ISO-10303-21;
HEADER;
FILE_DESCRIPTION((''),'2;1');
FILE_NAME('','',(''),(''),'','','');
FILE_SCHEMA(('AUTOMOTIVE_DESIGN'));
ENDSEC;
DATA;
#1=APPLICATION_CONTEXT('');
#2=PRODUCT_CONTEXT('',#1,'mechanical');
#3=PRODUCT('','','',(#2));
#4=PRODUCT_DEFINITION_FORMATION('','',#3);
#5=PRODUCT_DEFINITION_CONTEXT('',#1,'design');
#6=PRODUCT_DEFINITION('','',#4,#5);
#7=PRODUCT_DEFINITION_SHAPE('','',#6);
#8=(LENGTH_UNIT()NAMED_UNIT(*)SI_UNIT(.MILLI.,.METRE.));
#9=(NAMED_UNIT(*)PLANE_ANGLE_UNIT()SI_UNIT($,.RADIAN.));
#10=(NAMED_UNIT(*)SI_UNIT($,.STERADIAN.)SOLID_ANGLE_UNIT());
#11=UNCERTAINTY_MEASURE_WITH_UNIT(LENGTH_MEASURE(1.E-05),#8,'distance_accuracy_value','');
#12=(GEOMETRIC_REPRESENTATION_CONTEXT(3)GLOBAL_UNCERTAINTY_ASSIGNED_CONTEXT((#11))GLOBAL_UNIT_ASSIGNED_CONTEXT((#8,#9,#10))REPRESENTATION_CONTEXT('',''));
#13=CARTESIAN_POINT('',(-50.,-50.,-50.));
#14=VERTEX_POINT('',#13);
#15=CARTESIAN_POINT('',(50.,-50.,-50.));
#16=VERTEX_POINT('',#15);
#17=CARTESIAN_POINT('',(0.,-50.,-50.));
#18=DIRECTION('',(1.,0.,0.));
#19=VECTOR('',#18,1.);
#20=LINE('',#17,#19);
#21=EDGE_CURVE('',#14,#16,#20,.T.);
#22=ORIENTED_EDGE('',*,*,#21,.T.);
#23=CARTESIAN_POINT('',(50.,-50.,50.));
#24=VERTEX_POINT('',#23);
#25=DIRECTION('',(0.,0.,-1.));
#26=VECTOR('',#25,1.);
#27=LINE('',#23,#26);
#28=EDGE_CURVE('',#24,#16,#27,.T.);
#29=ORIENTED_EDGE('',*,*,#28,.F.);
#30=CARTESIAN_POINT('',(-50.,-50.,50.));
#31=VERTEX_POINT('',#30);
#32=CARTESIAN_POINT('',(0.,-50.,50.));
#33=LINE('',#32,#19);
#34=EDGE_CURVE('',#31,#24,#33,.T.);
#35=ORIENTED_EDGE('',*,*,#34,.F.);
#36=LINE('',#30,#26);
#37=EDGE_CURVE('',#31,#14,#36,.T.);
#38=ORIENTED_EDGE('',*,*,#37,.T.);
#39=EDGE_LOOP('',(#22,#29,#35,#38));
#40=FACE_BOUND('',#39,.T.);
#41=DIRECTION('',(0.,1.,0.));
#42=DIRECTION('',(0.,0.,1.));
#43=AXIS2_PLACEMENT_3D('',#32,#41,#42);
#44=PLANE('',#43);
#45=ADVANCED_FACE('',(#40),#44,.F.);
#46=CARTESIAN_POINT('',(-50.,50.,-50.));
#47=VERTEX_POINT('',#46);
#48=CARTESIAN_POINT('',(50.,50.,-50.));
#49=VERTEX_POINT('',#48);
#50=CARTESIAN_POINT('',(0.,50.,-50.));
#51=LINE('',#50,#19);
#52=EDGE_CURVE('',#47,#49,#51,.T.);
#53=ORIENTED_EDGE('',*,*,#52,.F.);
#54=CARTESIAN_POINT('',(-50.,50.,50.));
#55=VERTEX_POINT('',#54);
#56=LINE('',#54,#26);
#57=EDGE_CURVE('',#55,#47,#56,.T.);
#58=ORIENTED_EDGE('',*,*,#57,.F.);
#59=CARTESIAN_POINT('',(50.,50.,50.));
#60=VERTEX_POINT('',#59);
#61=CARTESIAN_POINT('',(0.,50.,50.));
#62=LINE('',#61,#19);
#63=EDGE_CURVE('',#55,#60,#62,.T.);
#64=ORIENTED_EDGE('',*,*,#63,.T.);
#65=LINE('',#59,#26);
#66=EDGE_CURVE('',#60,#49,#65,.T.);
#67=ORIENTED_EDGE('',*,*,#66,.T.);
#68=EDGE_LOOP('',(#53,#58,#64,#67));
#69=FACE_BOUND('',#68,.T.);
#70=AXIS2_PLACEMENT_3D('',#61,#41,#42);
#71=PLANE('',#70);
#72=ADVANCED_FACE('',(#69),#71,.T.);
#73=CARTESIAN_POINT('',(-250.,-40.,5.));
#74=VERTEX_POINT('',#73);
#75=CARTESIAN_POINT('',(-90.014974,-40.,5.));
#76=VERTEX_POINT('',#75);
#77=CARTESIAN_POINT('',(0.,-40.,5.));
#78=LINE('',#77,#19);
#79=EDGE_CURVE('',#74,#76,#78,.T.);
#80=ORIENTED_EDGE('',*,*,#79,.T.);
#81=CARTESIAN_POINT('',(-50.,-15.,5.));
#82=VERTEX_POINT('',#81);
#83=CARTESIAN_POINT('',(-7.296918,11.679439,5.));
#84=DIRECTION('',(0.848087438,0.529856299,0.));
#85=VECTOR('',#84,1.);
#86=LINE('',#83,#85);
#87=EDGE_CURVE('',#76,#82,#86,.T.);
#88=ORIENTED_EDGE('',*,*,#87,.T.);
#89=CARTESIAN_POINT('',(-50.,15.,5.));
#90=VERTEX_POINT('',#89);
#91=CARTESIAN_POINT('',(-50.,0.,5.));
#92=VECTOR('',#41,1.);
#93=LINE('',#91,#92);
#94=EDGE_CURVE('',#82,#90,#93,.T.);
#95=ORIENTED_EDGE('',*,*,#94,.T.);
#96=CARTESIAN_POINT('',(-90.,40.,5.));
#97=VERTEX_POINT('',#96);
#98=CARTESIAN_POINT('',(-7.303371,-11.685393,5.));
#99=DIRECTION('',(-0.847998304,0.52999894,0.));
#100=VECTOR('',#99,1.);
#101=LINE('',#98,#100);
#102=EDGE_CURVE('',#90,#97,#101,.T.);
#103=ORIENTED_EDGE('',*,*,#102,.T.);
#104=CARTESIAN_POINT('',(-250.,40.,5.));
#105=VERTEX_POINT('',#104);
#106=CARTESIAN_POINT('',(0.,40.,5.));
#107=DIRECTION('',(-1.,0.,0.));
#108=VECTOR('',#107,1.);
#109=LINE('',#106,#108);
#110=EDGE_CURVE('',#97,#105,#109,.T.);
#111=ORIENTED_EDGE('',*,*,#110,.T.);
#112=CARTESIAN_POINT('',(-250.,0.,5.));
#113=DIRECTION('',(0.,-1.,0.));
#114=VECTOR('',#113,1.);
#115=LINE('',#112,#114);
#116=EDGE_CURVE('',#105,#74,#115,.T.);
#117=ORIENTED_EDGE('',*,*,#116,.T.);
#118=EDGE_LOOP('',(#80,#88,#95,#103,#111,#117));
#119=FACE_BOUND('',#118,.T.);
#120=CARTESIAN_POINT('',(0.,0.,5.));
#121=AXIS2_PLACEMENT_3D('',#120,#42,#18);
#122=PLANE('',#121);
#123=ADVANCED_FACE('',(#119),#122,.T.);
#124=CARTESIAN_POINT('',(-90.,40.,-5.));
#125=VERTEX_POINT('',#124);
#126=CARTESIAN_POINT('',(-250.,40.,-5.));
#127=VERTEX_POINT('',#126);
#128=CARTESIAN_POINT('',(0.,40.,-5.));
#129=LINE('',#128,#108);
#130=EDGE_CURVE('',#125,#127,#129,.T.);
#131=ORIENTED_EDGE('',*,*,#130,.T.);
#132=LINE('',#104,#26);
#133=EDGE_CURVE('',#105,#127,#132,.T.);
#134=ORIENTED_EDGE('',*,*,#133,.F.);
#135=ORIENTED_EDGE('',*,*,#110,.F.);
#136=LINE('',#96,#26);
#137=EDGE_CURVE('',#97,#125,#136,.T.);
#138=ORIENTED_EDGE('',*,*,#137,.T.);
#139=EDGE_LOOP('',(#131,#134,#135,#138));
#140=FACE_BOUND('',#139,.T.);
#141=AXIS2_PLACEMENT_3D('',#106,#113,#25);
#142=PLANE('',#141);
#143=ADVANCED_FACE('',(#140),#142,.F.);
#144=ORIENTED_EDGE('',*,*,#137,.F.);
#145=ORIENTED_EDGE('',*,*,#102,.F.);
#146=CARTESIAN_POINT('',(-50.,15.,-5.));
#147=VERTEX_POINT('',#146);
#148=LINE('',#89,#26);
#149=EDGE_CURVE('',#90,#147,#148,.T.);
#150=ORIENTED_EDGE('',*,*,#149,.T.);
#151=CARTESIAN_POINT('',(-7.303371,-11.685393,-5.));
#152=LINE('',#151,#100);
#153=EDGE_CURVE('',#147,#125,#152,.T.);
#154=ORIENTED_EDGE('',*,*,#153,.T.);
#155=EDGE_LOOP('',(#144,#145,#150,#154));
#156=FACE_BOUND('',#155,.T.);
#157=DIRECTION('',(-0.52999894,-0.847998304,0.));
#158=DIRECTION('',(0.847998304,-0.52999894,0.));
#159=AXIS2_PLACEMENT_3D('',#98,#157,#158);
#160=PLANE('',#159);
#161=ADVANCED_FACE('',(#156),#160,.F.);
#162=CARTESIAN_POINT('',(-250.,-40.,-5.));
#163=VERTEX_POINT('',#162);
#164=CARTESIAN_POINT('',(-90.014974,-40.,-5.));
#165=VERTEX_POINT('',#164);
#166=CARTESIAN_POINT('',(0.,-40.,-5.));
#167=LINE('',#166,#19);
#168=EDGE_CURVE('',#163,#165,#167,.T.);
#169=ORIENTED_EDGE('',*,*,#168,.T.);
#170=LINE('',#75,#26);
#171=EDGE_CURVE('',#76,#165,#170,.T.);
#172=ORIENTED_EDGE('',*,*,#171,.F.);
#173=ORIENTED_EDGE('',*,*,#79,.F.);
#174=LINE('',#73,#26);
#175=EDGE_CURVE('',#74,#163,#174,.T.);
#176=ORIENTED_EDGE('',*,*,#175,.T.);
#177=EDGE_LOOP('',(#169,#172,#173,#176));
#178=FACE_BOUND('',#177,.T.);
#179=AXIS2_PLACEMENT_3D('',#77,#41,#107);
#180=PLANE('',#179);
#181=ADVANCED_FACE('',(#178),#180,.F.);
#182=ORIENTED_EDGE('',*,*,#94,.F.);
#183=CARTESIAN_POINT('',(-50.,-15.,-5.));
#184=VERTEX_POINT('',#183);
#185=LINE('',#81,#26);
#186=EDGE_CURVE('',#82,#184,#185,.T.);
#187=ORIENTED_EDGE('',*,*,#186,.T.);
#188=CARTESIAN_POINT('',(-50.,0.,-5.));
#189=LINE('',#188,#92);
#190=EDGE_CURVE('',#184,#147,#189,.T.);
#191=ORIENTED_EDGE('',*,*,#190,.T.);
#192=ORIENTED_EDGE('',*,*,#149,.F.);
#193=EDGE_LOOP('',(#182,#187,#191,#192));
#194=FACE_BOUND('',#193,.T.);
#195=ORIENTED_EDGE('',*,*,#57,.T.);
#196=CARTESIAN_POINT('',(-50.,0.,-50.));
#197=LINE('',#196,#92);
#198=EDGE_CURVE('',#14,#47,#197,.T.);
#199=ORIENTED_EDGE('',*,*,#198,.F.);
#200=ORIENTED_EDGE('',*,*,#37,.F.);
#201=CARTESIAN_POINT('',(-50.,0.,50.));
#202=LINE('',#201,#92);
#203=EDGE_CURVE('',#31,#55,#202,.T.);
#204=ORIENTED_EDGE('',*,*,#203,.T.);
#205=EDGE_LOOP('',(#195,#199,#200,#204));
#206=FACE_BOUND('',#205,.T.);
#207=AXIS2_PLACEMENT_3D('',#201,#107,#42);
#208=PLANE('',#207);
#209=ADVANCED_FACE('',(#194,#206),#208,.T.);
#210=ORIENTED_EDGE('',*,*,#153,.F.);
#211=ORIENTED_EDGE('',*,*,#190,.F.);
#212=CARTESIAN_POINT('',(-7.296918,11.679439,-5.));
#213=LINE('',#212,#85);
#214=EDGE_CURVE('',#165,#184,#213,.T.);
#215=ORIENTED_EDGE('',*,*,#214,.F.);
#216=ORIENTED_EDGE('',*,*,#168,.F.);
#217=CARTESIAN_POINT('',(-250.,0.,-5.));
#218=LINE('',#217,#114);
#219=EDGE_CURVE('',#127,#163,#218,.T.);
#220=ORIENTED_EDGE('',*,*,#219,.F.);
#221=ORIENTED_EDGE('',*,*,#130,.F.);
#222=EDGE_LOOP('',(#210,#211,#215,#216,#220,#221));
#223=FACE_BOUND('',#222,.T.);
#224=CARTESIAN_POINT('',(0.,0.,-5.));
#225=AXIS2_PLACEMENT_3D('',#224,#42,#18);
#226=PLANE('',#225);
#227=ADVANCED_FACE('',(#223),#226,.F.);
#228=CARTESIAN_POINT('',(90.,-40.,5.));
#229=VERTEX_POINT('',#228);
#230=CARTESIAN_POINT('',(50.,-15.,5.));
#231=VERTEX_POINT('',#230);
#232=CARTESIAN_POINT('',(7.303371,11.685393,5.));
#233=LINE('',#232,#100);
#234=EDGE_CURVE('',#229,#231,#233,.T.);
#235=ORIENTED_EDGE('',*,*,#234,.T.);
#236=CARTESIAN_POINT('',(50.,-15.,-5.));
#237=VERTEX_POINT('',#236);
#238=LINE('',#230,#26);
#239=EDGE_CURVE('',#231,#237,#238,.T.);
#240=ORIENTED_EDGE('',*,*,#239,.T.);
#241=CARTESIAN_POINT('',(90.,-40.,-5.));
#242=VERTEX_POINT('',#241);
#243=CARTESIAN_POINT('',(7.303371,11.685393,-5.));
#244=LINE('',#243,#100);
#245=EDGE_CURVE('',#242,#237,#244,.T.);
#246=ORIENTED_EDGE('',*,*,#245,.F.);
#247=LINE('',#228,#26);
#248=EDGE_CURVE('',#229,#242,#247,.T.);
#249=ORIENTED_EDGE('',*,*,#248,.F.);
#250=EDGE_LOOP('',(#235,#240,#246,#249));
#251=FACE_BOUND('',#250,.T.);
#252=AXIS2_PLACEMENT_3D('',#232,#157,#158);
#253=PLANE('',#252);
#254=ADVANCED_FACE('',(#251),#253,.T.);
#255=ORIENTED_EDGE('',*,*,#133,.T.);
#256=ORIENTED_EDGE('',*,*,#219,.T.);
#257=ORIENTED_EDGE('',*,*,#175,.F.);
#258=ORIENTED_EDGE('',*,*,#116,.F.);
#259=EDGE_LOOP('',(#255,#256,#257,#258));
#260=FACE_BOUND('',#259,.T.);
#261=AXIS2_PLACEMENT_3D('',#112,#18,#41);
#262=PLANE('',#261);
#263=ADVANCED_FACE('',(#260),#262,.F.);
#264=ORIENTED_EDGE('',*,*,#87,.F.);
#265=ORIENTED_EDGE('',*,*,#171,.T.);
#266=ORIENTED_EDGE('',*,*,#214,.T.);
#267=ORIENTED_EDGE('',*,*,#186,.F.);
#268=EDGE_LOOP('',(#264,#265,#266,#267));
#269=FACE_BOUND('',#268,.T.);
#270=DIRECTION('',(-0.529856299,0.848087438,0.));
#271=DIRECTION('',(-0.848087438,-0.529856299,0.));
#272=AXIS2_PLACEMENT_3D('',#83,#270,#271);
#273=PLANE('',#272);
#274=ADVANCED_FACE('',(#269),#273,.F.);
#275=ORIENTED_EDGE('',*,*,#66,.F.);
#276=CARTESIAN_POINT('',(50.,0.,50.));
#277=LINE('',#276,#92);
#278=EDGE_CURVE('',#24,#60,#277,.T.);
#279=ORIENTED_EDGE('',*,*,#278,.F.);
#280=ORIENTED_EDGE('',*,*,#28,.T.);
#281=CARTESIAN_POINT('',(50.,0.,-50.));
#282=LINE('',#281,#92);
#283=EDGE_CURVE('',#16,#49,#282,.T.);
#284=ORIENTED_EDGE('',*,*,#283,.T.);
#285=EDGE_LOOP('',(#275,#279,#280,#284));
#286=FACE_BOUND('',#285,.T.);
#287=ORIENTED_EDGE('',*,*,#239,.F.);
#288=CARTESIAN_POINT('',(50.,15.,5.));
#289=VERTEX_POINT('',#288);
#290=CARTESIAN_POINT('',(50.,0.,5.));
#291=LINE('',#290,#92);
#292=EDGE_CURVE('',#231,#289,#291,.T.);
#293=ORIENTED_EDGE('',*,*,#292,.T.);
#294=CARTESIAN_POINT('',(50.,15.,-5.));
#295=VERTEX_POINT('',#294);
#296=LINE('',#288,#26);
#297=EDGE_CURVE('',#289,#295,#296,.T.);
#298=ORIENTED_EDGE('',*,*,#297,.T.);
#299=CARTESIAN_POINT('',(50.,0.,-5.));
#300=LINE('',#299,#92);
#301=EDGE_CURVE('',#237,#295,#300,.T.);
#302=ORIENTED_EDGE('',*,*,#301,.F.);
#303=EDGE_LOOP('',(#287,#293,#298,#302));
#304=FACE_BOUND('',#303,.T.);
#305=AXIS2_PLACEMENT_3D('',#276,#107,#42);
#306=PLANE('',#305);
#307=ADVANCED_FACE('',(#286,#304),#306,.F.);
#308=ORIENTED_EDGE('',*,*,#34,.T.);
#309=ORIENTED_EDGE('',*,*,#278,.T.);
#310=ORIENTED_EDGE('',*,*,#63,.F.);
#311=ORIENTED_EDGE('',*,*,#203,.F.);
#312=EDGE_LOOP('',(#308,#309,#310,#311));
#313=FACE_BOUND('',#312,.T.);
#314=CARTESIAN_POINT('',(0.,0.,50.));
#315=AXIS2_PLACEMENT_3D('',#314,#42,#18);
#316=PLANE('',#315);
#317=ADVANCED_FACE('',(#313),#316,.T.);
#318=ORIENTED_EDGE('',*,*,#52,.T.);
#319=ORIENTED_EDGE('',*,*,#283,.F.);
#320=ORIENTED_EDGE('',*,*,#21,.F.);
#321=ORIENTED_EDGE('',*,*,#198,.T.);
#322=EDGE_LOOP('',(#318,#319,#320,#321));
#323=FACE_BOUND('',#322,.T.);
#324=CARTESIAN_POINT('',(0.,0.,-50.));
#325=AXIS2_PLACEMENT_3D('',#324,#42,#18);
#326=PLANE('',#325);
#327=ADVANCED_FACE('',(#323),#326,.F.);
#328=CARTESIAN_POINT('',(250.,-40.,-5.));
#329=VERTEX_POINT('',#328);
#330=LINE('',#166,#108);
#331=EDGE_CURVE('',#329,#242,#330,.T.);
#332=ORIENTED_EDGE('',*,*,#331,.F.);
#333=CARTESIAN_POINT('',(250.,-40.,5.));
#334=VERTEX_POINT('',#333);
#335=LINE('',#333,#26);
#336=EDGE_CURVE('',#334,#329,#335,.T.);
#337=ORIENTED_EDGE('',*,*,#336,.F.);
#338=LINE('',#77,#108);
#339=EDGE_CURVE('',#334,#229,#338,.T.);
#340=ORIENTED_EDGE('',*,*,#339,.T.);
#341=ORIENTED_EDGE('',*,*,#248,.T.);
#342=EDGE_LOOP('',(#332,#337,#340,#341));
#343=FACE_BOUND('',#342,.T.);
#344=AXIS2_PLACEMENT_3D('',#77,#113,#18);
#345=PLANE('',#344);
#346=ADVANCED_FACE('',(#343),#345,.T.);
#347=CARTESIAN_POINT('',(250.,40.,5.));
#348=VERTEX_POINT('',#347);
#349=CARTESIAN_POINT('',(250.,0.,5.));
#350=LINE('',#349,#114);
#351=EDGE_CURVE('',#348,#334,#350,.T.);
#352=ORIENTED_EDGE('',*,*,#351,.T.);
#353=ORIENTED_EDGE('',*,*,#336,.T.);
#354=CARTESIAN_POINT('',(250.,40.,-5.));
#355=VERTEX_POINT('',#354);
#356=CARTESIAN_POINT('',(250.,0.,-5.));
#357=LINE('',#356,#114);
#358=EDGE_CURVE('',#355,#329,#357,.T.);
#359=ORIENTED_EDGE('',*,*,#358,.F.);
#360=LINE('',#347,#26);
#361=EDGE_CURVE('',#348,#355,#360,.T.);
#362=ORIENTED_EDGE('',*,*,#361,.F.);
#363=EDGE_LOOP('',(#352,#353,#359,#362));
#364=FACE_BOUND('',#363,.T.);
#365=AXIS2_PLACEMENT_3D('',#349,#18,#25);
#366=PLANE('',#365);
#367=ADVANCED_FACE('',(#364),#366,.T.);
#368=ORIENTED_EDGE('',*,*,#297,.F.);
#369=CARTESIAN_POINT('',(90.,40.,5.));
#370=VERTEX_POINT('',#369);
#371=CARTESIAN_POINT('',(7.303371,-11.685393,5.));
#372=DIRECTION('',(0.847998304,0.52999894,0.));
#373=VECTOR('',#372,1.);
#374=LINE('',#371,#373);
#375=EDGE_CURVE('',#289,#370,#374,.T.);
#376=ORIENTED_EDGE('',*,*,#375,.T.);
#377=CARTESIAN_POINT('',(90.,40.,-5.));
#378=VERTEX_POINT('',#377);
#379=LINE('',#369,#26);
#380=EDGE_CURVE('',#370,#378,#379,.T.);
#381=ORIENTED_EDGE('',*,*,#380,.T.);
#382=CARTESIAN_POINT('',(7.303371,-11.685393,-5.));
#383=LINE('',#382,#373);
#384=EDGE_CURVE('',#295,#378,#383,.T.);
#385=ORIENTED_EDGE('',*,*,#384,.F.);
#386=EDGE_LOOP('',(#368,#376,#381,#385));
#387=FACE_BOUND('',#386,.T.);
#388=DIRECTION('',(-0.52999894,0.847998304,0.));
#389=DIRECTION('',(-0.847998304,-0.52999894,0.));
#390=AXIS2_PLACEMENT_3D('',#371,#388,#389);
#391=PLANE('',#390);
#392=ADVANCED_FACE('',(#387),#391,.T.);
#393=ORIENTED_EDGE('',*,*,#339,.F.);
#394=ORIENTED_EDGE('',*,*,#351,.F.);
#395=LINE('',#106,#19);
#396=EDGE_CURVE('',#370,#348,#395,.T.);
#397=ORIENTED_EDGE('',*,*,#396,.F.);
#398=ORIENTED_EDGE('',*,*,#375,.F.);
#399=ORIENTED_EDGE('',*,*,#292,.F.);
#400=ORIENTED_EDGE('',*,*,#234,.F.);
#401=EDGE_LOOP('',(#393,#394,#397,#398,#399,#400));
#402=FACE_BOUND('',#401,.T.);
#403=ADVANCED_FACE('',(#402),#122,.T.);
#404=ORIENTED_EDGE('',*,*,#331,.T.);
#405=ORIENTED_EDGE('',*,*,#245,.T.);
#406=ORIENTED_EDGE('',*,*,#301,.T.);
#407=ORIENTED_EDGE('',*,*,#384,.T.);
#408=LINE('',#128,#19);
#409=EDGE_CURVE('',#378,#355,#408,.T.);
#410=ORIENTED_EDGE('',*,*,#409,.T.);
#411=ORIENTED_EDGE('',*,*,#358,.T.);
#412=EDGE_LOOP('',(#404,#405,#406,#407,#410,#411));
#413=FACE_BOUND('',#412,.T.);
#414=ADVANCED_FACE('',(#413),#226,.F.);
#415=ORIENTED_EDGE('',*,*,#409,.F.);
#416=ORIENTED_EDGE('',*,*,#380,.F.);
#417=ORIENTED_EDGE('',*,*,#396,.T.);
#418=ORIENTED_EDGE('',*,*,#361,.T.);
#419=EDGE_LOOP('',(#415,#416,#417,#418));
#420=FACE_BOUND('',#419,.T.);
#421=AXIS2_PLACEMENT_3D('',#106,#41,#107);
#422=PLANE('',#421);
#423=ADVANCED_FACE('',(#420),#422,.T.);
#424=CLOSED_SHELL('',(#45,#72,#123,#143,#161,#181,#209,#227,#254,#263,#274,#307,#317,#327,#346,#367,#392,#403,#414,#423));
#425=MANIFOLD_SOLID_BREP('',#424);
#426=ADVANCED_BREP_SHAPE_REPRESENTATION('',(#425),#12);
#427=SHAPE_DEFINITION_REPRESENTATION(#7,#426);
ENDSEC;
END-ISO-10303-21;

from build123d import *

# Parameters (mm, degrees)
EXTRUDE_1_DEPTH = 50
EXTRUDE_2_DEPTH = 5


with BuildPart() as part:
    # 草图1 → 凸台-拉伸1 (new, symmetric)
    with BuildSketch(Plane.XY):
        Polygon((-50, -15), (-50, -50), (50, -50), (50, -15), (50, 15), (50, 50), (-50, 50), (-50, 15), align=None)
    extrude(amount=EXTRUDE_1_DEPTH, both=True)

    # 草图1<3> → 凸台-拉伸2 (add, symmetric)
    with BuildSketch(Plane.XY):
        Polygon((-90.014973854, -40), (-50, -15), (-50, 15), (-90, 40), (-250, 40), (-250, -40), align=None)
        Polygon((50, 15), (50, -15), (90, -40), (250, -40), (250, 40), (90, 40), align=None)
    extrude(amount=EXTRUDE_2_DEPTH, both=True)


solid = part.part
